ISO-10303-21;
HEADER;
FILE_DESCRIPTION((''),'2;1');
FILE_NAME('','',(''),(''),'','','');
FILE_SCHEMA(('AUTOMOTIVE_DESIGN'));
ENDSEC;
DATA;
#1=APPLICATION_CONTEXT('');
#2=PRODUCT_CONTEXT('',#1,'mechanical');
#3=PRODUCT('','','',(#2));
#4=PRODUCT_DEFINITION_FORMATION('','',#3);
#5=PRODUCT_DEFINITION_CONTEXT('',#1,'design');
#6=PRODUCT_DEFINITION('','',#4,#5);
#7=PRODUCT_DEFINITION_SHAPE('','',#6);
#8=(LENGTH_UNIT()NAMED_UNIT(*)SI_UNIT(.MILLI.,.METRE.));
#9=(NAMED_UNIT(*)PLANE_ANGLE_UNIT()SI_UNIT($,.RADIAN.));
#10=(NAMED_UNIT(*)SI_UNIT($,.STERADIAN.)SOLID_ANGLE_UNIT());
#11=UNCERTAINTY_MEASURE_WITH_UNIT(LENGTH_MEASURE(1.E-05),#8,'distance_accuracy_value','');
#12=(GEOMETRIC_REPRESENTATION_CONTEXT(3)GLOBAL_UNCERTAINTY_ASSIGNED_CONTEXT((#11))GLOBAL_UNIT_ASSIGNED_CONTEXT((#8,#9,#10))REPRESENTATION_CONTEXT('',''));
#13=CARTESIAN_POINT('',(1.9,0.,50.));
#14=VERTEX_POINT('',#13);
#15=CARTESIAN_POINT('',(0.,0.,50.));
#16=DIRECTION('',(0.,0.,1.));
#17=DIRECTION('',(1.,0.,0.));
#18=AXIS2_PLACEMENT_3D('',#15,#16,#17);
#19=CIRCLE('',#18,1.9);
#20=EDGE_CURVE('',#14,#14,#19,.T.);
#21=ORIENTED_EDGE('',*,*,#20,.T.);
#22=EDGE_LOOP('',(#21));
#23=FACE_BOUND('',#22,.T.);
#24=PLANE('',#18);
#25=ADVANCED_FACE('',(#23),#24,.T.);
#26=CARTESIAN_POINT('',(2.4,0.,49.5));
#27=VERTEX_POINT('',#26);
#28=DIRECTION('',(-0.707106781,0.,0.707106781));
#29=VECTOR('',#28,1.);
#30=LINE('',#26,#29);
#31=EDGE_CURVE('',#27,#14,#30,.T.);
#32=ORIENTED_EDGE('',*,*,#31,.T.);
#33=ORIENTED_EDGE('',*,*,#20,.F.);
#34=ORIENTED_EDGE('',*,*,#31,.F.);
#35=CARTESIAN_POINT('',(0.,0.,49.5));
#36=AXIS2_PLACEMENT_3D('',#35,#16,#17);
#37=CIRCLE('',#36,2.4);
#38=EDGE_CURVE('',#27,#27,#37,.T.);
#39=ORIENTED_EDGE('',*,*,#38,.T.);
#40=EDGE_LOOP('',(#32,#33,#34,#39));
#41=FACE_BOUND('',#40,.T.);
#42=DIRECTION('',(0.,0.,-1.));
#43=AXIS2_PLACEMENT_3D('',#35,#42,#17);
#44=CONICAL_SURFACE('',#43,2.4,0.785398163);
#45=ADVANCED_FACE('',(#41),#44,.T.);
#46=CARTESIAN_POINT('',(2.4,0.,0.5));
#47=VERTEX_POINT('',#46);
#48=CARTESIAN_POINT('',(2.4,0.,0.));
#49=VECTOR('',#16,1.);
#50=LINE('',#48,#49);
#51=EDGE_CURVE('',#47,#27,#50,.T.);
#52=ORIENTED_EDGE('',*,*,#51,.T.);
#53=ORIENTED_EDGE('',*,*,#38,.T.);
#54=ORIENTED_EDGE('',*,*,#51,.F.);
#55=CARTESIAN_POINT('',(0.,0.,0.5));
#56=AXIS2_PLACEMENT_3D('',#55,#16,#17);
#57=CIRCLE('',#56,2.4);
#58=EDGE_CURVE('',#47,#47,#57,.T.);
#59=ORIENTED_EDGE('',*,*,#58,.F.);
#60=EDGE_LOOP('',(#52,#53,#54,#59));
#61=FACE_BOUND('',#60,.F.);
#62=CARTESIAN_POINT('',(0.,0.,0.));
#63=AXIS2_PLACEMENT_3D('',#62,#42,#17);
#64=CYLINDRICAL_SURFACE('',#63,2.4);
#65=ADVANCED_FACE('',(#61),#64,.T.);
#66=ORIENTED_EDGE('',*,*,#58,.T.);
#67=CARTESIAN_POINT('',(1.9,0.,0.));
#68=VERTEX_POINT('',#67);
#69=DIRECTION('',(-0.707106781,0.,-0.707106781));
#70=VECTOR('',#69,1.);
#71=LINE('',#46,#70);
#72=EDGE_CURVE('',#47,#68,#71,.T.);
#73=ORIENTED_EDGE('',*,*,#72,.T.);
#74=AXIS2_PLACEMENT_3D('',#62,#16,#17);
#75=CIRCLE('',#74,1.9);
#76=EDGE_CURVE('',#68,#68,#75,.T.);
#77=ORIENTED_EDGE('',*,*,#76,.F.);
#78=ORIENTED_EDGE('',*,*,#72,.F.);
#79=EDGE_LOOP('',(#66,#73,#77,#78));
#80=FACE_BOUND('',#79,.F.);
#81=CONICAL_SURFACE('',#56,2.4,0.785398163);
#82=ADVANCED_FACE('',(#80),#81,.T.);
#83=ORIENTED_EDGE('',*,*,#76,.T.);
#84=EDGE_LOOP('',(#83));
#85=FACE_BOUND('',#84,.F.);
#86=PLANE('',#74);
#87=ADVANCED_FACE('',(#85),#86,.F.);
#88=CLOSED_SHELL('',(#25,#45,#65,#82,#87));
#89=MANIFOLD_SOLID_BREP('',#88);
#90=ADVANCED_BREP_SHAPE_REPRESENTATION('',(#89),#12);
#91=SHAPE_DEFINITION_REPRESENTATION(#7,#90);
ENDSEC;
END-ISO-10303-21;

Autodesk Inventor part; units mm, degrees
ref_plane "YZ Plane" through (0, 0, 0) normal (1, 0, 0) x (0, 1, 0)
ref_plane "XZ Plane" through (0, 0, 0) normal (0, 1, 0) x (-1, 0, 0)
ref_plane "XY Plane" through (0, 0, 0) normal (0, 0, 1) x (1, 0, 0)
sketch "Sketch1" plane through (0, 0, 0) normal (0, 0, 1) x (1, 0, 0)
  circle A0 centre (0, 0) radius 2.4
  dimension "d0" = 4.8
extrude "Extrusion1" add sketch "Sketch1" along normal blind 50
chamfer "Chamfer1" distance 0.5 angle 45 2 edges at (-2.4, 0, 50) (-2.4, 0, 0)
properties part number "LI0008-LATCH PIN"
